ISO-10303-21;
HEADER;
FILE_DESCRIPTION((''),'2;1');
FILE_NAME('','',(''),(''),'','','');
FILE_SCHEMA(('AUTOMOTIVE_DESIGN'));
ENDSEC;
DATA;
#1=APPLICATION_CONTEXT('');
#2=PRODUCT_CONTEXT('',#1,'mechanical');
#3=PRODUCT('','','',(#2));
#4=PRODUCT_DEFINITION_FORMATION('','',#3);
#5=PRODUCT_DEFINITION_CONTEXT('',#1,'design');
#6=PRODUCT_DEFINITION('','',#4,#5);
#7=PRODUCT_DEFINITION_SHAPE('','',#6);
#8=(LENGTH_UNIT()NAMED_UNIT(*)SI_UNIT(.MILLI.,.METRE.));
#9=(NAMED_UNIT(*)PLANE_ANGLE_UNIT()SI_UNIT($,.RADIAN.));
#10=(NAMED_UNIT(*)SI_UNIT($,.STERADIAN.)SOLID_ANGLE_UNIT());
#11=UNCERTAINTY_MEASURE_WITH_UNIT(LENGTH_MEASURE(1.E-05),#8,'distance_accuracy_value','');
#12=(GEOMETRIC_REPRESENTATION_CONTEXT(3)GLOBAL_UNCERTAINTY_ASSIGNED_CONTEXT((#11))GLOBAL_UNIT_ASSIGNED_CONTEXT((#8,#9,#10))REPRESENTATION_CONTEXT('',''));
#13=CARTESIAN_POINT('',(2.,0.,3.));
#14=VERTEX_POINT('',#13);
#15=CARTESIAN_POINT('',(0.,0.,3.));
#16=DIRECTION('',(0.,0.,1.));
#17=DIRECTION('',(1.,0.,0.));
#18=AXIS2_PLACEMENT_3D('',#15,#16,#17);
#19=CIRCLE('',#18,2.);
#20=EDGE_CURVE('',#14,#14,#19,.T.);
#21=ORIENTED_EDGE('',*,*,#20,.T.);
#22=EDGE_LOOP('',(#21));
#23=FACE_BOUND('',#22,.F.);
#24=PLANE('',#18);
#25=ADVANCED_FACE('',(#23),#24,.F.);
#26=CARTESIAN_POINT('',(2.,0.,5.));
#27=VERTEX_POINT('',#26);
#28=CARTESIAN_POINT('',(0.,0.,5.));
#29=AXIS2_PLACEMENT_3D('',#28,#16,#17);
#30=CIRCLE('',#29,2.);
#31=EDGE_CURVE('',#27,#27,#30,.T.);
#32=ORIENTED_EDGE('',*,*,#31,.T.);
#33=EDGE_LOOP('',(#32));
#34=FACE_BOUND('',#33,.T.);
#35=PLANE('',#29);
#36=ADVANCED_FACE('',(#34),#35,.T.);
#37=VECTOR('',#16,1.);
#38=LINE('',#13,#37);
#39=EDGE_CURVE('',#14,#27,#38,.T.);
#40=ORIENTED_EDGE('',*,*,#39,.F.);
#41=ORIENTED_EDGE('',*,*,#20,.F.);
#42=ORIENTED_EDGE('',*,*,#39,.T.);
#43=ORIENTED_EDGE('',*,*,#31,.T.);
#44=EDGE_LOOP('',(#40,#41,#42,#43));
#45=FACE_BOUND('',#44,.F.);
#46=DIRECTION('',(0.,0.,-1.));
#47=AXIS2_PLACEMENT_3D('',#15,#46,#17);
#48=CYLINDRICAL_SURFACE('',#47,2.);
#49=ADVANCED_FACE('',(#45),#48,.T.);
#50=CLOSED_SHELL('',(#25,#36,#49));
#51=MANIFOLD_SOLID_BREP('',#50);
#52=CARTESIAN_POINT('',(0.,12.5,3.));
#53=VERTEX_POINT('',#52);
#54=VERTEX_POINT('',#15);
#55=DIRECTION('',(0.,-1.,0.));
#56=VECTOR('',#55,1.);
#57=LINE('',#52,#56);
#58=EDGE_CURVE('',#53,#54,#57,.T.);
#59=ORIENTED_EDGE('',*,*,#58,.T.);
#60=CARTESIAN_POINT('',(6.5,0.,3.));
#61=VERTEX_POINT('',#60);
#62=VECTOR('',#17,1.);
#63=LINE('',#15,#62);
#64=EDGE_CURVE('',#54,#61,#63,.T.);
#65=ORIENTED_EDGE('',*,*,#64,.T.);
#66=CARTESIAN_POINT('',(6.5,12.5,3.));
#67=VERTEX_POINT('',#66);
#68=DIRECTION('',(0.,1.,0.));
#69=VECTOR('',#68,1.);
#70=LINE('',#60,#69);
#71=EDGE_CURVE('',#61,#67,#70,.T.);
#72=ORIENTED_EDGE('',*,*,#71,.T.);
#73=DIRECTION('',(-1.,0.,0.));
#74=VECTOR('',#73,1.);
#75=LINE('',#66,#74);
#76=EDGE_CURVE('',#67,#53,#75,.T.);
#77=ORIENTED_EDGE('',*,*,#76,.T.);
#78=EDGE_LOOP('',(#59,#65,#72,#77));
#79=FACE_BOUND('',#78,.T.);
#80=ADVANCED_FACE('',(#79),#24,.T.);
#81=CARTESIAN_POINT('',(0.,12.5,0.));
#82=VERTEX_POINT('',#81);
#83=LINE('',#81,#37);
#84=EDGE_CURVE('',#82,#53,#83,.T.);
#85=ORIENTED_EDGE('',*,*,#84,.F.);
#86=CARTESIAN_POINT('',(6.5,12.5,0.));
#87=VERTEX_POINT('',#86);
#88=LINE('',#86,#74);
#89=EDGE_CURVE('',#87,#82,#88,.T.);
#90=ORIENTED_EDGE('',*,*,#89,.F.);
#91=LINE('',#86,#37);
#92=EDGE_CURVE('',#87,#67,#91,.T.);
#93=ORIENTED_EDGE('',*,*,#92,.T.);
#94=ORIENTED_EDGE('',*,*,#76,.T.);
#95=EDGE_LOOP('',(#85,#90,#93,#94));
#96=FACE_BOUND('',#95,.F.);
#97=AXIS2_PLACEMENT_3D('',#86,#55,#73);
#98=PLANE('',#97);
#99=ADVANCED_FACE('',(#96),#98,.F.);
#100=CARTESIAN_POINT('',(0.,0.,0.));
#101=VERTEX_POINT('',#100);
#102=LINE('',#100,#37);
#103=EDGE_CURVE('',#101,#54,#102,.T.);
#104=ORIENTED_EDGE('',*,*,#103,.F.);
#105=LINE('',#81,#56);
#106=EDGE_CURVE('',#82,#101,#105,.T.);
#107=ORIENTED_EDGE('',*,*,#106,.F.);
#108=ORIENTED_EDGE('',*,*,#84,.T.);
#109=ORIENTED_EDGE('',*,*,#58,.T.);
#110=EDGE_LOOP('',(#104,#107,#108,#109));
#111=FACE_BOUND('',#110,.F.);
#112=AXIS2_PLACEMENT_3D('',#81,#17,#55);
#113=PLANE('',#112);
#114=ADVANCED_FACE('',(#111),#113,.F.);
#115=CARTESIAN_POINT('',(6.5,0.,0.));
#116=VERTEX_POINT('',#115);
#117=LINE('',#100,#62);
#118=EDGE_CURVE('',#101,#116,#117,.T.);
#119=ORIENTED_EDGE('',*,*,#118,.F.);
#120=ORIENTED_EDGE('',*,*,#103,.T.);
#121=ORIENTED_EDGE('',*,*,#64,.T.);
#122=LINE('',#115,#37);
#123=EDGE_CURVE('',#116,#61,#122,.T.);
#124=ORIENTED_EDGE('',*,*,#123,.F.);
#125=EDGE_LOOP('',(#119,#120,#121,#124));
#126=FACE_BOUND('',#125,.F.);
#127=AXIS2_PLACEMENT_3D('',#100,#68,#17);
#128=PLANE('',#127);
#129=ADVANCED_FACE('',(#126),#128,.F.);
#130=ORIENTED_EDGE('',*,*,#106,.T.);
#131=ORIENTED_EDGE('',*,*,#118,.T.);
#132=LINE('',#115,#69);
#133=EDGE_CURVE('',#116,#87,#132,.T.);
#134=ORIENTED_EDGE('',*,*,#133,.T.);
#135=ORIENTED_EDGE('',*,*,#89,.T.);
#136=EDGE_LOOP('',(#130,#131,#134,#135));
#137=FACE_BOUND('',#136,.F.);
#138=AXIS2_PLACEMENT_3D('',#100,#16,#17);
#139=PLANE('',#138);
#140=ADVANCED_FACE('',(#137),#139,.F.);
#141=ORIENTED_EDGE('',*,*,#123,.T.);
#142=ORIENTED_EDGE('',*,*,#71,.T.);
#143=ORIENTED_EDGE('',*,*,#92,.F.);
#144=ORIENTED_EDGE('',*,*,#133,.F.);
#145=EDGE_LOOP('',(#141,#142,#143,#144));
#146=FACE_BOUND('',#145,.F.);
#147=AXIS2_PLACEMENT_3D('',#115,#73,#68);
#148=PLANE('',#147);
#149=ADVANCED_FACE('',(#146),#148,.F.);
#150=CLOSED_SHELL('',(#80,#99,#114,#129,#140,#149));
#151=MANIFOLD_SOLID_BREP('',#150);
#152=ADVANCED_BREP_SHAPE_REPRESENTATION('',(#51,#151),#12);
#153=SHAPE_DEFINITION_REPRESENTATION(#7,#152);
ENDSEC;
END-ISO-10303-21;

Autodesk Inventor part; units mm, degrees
ref_plane "YZ Plane" through (0, 0, 0) normal (1, 0, 0) x (0, 1, 0)
ref_plane "XZ Plane" through (0, 0, 0) normal (0, 1, 0) x (-1, 0, 0)
sketch "Skizze1" plane through (0, 0, 0) normal (0, 0, 1) x (1, 0, 0)
  line L0 (0, 0) -> (6.5, 0)
  line L1 (6.5, 0) -> (6.5, 12.5)
  line L2 (6.5, 12.5) -> (0, 12.5)
  line L3 (0, 12.5) -> (0, 0)
extrude "Extrusion1" add sketch "Skizze1" along normal blind 3
ref_plane "Arbeitsebene1" through (0, 0, 3) normal (0, 0, 1) x (1, 0, 0)
sketch "Skizze2" plane through (0, 0, 3) normal (0, 0, 1) x (1, 0, 0)
  circle A0 centre (0, 0) radius 2
extrude "Extrusion2" add sketch "Skizze2" along normal blind 2 separate body
properties part number "Sensor_VL53L1X"
